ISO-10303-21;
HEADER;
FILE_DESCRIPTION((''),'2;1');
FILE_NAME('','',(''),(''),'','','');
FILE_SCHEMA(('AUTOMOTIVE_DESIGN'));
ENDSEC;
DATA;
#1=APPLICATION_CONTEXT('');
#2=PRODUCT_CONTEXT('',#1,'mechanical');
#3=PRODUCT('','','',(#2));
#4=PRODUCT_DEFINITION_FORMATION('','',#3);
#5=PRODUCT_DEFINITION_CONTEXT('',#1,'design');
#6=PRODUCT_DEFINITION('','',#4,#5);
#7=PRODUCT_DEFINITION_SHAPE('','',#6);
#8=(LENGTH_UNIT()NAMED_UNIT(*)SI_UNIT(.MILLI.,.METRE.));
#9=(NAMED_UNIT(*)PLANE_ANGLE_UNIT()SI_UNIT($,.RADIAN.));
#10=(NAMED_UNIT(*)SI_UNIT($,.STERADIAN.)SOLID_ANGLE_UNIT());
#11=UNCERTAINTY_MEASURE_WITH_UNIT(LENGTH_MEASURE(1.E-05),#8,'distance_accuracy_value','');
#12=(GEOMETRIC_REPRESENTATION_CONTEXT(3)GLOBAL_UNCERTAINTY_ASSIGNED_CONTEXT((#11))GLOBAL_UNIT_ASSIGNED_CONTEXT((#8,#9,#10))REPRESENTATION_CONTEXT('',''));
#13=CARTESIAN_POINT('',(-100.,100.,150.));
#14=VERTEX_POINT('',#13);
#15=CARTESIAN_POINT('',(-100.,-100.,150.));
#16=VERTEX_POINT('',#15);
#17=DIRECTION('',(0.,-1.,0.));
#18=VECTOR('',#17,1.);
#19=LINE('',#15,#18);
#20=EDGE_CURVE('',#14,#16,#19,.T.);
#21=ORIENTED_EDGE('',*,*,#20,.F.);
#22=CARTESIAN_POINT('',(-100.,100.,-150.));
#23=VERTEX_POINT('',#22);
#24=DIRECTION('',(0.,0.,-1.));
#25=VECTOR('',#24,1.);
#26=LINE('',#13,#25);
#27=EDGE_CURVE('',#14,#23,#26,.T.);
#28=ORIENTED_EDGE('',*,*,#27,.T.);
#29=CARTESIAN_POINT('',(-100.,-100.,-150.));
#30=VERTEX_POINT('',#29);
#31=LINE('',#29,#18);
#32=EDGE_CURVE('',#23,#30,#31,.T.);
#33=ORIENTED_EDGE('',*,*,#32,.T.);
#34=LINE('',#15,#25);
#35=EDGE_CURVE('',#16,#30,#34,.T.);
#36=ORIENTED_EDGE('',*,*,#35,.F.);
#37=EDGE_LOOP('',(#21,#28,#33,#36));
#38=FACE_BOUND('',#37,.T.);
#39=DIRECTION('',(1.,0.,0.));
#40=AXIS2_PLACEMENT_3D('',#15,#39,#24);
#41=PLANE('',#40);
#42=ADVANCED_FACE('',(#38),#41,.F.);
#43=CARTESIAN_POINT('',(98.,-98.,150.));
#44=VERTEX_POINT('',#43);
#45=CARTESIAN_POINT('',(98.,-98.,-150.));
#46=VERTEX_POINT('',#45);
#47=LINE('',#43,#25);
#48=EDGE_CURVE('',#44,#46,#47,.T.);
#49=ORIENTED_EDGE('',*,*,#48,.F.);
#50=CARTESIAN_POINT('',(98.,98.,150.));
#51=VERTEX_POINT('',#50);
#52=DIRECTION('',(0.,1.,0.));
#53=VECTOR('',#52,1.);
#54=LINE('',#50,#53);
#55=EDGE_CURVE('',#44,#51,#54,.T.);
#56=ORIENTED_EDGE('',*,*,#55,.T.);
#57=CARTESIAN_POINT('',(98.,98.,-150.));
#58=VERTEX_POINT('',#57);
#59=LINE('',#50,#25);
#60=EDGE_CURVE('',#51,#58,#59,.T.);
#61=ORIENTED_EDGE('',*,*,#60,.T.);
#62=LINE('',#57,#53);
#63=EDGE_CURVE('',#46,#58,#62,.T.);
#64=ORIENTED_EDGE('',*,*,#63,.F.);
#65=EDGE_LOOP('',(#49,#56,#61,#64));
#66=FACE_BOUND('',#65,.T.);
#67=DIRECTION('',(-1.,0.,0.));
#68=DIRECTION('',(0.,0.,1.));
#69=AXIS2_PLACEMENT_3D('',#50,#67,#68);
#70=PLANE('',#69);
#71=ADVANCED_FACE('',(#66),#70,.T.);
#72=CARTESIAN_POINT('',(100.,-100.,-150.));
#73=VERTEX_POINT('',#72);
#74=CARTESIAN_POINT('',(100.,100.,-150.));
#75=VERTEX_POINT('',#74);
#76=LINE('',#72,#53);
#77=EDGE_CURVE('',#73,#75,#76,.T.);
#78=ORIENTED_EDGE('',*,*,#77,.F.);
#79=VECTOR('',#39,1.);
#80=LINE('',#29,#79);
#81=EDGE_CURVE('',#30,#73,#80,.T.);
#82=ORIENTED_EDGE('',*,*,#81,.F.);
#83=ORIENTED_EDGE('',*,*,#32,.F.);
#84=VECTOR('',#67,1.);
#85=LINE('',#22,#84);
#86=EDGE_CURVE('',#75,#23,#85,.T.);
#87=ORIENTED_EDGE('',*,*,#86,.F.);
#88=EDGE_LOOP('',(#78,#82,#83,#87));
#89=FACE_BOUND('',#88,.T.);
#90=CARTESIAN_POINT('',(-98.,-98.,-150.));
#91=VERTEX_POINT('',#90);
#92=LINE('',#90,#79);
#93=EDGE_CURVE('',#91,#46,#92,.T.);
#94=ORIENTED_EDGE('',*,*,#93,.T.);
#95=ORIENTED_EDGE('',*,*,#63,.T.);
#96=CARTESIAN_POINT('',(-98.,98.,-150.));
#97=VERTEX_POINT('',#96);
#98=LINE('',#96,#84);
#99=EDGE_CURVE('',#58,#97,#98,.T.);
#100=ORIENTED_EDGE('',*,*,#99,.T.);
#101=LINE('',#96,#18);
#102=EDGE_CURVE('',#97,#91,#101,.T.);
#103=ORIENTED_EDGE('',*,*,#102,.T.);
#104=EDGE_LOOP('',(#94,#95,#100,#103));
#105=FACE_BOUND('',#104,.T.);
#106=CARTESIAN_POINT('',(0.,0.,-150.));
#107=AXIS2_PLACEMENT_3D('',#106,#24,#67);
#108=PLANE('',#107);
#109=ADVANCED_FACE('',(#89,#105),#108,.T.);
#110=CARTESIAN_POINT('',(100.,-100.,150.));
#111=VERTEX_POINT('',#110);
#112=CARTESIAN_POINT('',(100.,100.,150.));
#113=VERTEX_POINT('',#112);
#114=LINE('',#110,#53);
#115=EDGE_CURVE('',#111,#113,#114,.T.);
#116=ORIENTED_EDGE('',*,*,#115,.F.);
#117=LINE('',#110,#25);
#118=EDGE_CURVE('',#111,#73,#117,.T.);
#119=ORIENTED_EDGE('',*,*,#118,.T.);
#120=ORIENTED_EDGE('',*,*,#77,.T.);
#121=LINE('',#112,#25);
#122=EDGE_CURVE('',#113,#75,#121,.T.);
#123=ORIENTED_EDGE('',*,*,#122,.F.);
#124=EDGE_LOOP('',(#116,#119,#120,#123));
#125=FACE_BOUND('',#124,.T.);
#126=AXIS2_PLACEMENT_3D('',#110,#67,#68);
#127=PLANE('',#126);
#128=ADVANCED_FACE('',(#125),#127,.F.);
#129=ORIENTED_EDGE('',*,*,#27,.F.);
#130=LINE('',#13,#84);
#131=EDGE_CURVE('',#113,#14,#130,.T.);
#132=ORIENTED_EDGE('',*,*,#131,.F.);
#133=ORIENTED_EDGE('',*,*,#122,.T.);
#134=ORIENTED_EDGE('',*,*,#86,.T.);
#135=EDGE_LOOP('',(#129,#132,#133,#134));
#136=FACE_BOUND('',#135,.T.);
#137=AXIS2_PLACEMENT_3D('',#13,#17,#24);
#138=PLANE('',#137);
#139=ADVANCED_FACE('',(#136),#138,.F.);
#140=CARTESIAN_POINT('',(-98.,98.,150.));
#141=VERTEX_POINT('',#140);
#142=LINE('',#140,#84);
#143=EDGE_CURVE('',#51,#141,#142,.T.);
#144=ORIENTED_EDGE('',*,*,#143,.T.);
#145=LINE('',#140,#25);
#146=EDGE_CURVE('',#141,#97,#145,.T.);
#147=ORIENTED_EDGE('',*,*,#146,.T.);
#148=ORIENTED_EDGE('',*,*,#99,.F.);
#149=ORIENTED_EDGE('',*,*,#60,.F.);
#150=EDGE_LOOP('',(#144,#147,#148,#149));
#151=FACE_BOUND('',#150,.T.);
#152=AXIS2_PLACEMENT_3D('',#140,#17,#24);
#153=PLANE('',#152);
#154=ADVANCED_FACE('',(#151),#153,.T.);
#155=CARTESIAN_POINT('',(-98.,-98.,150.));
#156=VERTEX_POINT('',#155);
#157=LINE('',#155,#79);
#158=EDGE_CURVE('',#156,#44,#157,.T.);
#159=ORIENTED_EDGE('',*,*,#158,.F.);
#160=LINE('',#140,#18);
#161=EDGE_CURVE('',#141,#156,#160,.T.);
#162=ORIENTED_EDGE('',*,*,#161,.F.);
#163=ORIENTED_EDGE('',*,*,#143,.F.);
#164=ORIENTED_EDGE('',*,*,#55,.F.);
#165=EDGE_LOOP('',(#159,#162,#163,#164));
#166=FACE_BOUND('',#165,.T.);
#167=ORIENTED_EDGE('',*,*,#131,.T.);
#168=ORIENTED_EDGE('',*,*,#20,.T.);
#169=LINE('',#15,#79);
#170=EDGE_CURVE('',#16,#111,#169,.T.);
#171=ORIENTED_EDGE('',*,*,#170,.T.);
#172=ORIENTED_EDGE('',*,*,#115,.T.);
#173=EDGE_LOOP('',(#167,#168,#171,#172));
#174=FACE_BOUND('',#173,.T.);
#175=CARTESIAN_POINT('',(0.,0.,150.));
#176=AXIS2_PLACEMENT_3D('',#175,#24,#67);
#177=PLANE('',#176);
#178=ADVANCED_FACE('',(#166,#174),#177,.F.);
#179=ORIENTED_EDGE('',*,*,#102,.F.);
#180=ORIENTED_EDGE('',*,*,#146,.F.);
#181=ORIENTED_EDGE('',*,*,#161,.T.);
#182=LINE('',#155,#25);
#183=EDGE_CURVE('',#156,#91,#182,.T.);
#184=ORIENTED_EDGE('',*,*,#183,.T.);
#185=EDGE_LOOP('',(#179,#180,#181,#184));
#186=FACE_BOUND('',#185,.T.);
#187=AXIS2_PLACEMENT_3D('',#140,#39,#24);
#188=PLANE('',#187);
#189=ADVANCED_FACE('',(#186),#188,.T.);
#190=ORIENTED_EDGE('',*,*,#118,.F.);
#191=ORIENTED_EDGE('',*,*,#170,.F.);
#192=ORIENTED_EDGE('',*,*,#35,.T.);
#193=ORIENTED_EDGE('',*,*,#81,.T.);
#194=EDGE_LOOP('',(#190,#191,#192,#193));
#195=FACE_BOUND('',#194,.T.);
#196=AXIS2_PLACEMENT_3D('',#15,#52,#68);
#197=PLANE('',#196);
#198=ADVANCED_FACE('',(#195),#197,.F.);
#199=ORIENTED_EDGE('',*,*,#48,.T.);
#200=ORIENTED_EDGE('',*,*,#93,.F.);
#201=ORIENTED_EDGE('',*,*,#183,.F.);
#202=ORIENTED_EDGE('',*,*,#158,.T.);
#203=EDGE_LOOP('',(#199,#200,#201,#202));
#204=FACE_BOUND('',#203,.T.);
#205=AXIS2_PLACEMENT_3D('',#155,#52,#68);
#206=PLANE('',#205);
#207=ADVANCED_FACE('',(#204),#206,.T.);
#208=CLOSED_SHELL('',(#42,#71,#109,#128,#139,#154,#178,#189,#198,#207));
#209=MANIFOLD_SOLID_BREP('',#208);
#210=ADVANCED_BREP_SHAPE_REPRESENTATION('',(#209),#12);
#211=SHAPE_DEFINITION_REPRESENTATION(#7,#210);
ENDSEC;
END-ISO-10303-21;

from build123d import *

# Parameters (mm, degrees)
SKETCH_1_W      = 200
SKETCH_1_H      = 200
SKETCH_1_W_2    = 196
SKETCH_1_H_2    = 196
EXTRUDE_1_DEPTH = 150


with BuildPart() as part:
    # 草图1 → 凸台-拉伸1 (new, symmetric)
    with BuildSketch(Plane.XY):
        Rectangle(SKETCH_1_W, SKETCH_1_H)
        Rectangle(SKETCH_1_W_2, SKETCH_1_H_2, mode=Mode.SUBTRACT)
    extrude(amount=EXTRUDE_1_DEPTH, both=True)


solid = part.part
